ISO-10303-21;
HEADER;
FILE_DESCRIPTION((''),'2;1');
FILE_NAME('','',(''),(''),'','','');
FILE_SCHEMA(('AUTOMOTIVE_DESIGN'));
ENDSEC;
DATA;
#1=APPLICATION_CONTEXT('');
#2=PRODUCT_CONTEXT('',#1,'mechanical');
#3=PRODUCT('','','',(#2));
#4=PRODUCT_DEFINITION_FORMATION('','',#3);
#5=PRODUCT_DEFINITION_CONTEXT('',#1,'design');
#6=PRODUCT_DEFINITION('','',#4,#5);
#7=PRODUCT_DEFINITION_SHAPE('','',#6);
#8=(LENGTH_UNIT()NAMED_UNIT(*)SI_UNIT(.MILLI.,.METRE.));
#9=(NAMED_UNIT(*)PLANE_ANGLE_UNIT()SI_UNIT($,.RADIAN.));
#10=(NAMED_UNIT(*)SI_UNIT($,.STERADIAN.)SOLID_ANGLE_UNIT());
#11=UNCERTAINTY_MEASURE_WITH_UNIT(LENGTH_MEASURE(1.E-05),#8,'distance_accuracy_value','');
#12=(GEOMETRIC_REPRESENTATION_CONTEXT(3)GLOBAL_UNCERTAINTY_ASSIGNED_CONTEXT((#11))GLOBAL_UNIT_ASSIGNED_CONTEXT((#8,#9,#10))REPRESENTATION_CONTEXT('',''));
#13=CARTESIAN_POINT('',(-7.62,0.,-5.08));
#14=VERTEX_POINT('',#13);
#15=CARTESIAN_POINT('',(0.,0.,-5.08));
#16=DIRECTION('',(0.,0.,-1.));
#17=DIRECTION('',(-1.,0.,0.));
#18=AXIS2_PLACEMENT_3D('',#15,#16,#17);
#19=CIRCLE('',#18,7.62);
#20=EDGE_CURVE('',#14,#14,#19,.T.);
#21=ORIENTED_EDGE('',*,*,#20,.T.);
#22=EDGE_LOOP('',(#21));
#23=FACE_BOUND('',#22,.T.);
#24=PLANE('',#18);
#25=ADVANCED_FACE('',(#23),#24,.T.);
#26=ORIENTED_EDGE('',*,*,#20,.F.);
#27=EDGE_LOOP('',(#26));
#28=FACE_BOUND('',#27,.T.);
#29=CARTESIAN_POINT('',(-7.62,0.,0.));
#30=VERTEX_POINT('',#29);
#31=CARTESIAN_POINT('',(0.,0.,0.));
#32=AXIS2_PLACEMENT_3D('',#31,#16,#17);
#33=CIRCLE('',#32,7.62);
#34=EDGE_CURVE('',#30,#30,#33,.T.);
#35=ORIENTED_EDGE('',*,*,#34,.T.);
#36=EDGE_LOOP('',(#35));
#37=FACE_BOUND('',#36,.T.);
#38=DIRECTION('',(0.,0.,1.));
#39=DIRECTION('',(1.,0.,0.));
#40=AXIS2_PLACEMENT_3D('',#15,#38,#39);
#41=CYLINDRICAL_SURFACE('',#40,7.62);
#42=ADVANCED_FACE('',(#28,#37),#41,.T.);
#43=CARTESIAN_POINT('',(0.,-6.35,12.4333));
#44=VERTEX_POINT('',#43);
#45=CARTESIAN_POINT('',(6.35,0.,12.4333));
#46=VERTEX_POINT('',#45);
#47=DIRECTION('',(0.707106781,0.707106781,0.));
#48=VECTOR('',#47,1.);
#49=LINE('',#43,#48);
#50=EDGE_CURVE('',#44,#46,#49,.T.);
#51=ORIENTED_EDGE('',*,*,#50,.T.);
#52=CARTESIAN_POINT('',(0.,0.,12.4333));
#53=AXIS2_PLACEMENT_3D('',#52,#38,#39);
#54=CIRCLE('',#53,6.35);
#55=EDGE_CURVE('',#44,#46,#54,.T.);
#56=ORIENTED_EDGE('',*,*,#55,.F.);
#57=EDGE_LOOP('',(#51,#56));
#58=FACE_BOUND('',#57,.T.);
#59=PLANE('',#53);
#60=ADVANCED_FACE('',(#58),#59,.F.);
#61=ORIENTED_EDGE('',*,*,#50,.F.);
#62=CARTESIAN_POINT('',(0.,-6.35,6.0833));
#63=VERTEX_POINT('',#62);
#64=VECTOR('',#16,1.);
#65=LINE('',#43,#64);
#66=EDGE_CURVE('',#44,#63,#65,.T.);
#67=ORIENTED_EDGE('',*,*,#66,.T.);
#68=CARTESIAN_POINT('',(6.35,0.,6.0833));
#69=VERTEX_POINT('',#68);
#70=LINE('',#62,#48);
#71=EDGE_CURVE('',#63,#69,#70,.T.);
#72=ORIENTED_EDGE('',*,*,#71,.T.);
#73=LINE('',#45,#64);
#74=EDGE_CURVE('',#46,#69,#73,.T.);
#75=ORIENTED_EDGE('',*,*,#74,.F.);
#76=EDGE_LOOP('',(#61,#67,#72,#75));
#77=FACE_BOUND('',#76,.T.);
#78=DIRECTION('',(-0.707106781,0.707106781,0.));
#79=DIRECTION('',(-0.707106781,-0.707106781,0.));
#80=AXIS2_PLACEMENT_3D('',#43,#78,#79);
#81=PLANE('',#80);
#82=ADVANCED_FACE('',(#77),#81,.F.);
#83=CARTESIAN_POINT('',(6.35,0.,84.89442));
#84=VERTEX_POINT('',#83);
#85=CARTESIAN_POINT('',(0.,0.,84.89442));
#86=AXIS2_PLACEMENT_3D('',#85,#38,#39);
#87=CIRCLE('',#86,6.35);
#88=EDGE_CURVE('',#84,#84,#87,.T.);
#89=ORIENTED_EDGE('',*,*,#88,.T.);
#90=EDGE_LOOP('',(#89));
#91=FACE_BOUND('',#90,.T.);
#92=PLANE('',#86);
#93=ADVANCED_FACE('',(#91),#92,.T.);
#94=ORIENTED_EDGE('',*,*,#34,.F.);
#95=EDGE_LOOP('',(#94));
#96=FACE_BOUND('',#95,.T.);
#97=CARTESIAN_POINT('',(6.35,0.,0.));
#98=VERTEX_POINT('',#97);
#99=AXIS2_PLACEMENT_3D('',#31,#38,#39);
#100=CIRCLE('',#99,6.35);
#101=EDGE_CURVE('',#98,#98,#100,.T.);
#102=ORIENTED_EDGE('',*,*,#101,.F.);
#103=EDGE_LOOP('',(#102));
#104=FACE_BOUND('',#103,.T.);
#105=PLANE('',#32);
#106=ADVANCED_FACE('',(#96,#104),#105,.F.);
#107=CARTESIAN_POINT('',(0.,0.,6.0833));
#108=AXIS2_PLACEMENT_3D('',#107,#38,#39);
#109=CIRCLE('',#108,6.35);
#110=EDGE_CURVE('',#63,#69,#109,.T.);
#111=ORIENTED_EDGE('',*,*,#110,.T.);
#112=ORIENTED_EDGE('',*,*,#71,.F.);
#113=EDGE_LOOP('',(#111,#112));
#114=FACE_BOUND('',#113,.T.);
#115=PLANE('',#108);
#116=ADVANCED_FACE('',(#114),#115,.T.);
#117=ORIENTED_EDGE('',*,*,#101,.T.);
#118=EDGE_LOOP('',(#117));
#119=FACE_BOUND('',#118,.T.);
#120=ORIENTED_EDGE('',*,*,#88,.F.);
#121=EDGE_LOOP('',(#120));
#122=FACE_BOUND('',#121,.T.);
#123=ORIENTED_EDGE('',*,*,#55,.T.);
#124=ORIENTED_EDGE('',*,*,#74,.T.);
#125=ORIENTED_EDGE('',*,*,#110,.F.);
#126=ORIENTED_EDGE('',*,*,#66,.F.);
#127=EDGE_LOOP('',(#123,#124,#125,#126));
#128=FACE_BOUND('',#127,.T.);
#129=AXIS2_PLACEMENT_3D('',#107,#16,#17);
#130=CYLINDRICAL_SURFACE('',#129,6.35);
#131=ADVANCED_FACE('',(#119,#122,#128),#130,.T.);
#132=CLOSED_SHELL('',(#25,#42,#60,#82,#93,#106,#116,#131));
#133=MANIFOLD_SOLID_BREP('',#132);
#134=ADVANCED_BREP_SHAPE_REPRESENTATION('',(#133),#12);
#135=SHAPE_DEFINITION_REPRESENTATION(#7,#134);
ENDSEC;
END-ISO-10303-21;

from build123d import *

# Parameters (mm, degrees)
SKETCH1_R           = 6.35
BOSS_EXTRUDE1_DEPTH = 6.0833
SKETCH4_R           = 7.62
BOSS_EXTRUDE2_DEPTH = 5.08
BOSS_EXTRUDE3_DEPTH = 6.35
SKETCH13_R          = 6.35
BOSS_EXTRUDE4_DEPTH = 72.46112


with BuildPart() as part:
    # Sketch1 → Boss-Extrude1 (new body)
    with BuildSketch(Plane.XY):
        Circle(SKETCH1_R)
    extrude(amount=BOSS_EXTRUDE1_DEPTH)

    # Sketch4 → Boss-Extrude2 (add)
    with BuildSketch(Plane(origin=(0, 0, 0), x_dir=(-1, 0, 0), z_dir=(0, 0, -1))):
        Circle(SKETCH4_R)
    extrude(amount=BOSS_EXTRUDE2_DEPTH)

    # Sketch12 → Boss-Extrude3 (add)
    with BuildSketch(Plane.XY.offset(6.0833)):
        with BuildLine():
            Line((0, -6.35), (6.35, 0))
            ThreePointArc((6.35, 0), (-4.490128061, 4.490128061), (0, -6.35))
        make_face()
    extrude(amount=BOSS_EXTRUDE3_DEPTH)

    # Sketch13 → Boss-Extrude4 (add)
    with BuildSketch(Plane.XY.offset(12.4333)):
        Circle(SKETCH13_R)
    extrude(amount=BOSS_EXTRUDE4_DEPTH)


solid = part.part
